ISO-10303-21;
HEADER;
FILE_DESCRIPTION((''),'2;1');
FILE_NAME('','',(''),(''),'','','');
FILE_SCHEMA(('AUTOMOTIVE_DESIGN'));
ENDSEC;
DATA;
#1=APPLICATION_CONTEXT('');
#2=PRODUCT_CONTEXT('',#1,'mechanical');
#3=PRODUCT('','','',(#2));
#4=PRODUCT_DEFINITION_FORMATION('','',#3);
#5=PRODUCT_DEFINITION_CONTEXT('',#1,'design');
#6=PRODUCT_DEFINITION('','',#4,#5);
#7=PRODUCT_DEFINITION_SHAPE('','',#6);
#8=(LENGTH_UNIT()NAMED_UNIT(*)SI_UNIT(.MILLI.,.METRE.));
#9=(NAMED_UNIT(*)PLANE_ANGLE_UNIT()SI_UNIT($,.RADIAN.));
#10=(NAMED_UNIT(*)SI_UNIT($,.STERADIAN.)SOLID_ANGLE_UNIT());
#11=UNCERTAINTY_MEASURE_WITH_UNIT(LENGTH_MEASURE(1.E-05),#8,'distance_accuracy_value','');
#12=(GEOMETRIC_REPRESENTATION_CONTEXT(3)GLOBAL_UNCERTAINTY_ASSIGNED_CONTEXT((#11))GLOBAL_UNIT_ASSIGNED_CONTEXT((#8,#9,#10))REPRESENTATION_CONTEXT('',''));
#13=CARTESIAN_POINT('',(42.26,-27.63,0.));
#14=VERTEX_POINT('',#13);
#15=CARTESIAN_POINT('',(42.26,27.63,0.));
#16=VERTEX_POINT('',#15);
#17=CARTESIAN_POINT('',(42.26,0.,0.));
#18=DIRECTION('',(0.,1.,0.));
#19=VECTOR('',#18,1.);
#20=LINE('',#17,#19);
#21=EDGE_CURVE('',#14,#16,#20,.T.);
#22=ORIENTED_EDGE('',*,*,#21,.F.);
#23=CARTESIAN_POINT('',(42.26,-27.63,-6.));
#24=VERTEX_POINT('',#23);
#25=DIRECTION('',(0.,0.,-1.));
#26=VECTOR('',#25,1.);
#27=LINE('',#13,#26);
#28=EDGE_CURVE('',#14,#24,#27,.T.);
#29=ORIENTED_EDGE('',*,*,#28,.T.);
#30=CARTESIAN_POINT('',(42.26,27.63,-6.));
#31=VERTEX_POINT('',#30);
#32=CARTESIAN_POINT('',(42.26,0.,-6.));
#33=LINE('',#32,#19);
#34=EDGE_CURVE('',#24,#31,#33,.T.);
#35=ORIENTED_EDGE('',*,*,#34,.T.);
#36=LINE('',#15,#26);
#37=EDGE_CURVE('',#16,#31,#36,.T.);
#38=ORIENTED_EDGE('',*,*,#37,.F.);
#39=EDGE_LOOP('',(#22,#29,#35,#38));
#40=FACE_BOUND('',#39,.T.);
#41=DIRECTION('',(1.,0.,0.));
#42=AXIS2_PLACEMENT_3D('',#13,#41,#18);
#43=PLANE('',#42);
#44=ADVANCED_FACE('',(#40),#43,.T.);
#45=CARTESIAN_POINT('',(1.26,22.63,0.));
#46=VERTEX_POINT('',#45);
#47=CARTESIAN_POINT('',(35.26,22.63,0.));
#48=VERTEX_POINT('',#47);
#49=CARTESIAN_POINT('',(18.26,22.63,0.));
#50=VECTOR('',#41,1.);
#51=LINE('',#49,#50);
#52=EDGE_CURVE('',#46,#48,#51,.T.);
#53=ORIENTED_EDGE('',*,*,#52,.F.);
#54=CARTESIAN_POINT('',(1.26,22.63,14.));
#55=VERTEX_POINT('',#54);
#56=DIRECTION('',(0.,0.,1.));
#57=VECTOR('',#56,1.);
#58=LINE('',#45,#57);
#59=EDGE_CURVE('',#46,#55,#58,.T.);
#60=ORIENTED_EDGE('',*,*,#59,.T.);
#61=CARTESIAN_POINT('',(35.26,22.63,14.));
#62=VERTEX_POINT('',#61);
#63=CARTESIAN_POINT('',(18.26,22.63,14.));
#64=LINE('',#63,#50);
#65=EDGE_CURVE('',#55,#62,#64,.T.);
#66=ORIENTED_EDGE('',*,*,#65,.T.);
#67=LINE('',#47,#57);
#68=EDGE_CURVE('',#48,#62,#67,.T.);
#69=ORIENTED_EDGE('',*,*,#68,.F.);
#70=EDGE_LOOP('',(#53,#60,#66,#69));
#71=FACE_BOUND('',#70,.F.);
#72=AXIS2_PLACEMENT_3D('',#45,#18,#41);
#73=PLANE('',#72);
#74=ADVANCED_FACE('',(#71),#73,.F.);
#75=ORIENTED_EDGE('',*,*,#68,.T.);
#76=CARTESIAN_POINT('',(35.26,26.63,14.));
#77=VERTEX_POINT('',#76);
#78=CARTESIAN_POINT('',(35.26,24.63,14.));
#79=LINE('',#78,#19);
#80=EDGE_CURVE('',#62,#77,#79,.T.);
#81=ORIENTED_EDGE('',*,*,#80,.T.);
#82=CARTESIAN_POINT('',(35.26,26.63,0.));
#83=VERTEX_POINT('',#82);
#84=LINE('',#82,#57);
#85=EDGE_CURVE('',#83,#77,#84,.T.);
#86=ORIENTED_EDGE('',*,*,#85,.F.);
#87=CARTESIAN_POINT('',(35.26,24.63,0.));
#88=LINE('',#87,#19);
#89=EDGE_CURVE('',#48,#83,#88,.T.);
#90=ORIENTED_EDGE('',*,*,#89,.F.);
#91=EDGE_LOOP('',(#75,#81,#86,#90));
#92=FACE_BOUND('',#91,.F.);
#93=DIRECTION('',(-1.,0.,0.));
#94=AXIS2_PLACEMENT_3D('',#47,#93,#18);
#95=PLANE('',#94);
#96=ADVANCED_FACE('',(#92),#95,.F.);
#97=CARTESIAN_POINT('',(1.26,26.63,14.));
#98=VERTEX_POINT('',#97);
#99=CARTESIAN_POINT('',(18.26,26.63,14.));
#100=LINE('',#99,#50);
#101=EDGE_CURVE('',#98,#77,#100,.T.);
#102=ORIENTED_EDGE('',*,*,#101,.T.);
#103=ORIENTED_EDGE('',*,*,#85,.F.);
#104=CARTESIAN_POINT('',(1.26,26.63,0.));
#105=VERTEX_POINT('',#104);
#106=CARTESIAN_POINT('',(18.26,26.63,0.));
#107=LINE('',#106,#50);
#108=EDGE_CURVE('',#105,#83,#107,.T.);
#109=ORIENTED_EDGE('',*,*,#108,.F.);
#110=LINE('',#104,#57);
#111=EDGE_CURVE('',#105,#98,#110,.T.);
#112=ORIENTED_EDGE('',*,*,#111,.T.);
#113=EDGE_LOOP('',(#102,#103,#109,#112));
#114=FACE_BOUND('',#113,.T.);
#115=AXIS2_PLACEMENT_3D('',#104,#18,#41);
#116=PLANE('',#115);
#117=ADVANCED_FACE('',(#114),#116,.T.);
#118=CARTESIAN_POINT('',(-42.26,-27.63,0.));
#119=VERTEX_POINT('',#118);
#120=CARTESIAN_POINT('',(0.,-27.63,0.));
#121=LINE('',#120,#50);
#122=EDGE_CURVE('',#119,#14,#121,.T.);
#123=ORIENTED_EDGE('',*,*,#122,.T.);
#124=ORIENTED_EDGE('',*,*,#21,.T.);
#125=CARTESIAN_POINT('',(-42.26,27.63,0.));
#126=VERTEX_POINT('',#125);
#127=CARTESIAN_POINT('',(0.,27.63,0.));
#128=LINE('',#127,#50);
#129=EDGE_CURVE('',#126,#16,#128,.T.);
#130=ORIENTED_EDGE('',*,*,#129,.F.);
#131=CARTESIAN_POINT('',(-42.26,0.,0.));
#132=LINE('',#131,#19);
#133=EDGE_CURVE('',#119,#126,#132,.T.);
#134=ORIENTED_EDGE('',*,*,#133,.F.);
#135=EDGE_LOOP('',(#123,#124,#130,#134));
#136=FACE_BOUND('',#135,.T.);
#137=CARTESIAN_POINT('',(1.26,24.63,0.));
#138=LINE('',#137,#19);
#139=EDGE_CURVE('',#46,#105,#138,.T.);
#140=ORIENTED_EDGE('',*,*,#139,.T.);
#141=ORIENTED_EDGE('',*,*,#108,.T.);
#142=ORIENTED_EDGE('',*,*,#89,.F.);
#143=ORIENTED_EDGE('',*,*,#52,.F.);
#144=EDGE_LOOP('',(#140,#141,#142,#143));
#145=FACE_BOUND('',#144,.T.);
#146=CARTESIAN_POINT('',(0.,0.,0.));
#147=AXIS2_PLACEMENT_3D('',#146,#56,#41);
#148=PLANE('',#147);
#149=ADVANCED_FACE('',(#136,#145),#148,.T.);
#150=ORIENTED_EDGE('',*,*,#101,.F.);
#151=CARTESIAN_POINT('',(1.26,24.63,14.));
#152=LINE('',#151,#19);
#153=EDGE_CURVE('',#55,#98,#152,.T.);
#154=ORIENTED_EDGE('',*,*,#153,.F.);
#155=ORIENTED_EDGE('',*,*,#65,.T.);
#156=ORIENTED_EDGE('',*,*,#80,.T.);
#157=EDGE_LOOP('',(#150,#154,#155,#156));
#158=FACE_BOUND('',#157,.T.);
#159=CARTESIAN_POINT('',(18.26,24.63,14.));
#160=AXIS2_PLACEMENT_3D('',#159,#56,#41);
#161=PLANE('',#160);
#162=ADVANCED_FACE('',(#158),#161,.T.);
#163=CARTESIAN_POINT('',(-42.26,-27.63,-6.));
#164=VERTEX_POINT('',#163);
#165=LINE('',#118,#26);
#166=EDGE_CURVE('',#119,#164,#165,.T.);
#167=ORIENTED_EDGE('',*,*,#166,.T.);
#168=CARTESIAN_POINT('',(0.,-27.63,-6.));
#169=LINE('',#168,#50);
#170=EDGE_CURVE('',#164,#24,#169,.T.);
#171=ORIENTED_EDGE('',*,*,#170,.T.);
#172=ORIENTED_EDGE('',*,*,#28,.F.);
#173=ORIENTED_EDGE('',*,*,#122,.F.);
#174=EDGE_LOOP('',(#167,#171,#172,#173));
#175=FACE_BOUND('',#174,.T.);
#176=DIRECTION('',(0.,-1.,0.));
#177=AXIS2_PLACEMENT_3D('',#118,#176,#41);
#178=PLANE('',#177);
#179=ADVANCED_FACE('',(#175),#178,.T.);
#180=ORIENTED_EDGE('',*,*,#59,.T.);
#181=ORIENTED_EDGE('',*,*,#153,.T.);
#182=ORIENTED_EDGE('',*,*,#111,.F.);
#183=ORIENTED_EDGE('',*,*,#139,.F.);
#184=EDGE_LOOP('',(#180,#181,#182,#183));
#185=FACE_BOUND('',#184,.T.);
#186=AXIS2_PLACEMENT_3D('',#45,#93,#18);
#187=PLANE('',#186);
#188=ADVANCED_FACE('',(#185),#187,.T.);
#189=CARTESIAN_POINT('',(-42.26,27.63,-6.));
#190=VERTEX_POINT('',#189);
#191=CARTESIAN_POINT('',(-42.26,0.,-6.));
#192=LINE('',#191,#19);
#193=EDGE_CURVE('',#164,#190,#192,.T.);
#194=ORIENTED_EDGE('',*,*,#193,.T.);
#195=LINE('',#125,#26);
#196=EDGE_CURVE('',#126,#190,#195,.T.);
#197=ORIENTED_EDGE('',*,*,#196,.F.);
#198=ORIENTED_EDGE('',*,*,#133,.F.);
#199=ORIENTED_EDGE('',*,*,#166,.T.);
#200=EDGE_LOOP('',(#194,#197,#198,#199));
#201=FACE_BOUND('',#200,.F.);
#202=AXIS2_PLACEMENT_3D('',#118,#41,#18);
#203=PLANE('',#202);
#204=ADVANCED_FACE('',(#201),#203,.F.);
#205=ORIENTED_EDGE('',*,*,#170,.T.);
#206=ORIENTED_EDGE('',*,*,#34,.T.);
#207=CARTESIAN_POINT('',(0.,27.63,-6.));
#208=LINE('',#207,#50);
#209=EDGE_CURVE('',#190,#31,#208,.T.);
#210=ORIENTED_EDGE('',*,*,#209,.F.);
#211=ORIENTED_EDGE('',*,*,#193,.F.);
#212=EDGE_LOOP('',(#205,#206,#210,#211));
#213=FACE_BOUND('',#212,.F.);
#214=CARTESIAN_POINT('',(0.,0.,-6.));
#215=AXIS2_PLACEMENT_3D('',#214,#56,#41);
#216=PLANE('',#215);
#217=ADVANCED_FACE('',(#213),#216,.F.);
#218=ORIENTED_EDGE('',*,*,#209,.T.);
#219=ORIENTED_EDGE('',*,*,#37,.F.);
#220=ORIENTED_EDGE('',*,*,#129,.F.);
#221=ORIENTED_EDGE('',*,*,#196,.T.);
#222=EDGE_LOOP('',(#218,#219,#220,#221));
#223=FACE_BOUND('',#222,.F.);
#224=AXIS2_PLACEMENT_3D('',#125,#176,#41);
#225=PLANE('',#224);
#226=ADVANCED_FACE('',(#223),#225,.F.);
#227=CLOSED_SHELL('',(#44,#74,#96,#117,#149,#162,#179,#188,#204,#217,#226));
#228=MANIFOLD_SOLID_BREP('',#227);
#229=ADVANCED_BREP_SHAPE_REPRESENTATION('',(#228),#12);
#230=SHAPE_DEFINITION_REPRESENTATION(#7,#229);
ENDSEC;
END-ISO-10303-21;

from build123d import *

# Parameters (mm, degrees)
SKETCH_W     = 84.52
SKETCH_H     = 55.26
PAD_DEPTH    = 6
SKETCH001_W  = 34
SKETCH001_H  = 4
PAD001_DEPTH = 14


with BuildPart() as part:
    # Sketch → Pad (new body)
    with BuildSketch(Plane.XY):
        Rectangle(SKETCH_W, SKETCH_H)
    extrude(amount=-PAD_DEPTH)

    # Sketch001 (on Face5 of Pad) → Pad001 (join)
    with BuildSketch(Plane.XY):
        with Locations((18.26, 24.63)):
            Rectangle(SKETCH001_W, SKETCH001_H)
    extrude(amount=PAD001_DEPTH)


solid = part.part
